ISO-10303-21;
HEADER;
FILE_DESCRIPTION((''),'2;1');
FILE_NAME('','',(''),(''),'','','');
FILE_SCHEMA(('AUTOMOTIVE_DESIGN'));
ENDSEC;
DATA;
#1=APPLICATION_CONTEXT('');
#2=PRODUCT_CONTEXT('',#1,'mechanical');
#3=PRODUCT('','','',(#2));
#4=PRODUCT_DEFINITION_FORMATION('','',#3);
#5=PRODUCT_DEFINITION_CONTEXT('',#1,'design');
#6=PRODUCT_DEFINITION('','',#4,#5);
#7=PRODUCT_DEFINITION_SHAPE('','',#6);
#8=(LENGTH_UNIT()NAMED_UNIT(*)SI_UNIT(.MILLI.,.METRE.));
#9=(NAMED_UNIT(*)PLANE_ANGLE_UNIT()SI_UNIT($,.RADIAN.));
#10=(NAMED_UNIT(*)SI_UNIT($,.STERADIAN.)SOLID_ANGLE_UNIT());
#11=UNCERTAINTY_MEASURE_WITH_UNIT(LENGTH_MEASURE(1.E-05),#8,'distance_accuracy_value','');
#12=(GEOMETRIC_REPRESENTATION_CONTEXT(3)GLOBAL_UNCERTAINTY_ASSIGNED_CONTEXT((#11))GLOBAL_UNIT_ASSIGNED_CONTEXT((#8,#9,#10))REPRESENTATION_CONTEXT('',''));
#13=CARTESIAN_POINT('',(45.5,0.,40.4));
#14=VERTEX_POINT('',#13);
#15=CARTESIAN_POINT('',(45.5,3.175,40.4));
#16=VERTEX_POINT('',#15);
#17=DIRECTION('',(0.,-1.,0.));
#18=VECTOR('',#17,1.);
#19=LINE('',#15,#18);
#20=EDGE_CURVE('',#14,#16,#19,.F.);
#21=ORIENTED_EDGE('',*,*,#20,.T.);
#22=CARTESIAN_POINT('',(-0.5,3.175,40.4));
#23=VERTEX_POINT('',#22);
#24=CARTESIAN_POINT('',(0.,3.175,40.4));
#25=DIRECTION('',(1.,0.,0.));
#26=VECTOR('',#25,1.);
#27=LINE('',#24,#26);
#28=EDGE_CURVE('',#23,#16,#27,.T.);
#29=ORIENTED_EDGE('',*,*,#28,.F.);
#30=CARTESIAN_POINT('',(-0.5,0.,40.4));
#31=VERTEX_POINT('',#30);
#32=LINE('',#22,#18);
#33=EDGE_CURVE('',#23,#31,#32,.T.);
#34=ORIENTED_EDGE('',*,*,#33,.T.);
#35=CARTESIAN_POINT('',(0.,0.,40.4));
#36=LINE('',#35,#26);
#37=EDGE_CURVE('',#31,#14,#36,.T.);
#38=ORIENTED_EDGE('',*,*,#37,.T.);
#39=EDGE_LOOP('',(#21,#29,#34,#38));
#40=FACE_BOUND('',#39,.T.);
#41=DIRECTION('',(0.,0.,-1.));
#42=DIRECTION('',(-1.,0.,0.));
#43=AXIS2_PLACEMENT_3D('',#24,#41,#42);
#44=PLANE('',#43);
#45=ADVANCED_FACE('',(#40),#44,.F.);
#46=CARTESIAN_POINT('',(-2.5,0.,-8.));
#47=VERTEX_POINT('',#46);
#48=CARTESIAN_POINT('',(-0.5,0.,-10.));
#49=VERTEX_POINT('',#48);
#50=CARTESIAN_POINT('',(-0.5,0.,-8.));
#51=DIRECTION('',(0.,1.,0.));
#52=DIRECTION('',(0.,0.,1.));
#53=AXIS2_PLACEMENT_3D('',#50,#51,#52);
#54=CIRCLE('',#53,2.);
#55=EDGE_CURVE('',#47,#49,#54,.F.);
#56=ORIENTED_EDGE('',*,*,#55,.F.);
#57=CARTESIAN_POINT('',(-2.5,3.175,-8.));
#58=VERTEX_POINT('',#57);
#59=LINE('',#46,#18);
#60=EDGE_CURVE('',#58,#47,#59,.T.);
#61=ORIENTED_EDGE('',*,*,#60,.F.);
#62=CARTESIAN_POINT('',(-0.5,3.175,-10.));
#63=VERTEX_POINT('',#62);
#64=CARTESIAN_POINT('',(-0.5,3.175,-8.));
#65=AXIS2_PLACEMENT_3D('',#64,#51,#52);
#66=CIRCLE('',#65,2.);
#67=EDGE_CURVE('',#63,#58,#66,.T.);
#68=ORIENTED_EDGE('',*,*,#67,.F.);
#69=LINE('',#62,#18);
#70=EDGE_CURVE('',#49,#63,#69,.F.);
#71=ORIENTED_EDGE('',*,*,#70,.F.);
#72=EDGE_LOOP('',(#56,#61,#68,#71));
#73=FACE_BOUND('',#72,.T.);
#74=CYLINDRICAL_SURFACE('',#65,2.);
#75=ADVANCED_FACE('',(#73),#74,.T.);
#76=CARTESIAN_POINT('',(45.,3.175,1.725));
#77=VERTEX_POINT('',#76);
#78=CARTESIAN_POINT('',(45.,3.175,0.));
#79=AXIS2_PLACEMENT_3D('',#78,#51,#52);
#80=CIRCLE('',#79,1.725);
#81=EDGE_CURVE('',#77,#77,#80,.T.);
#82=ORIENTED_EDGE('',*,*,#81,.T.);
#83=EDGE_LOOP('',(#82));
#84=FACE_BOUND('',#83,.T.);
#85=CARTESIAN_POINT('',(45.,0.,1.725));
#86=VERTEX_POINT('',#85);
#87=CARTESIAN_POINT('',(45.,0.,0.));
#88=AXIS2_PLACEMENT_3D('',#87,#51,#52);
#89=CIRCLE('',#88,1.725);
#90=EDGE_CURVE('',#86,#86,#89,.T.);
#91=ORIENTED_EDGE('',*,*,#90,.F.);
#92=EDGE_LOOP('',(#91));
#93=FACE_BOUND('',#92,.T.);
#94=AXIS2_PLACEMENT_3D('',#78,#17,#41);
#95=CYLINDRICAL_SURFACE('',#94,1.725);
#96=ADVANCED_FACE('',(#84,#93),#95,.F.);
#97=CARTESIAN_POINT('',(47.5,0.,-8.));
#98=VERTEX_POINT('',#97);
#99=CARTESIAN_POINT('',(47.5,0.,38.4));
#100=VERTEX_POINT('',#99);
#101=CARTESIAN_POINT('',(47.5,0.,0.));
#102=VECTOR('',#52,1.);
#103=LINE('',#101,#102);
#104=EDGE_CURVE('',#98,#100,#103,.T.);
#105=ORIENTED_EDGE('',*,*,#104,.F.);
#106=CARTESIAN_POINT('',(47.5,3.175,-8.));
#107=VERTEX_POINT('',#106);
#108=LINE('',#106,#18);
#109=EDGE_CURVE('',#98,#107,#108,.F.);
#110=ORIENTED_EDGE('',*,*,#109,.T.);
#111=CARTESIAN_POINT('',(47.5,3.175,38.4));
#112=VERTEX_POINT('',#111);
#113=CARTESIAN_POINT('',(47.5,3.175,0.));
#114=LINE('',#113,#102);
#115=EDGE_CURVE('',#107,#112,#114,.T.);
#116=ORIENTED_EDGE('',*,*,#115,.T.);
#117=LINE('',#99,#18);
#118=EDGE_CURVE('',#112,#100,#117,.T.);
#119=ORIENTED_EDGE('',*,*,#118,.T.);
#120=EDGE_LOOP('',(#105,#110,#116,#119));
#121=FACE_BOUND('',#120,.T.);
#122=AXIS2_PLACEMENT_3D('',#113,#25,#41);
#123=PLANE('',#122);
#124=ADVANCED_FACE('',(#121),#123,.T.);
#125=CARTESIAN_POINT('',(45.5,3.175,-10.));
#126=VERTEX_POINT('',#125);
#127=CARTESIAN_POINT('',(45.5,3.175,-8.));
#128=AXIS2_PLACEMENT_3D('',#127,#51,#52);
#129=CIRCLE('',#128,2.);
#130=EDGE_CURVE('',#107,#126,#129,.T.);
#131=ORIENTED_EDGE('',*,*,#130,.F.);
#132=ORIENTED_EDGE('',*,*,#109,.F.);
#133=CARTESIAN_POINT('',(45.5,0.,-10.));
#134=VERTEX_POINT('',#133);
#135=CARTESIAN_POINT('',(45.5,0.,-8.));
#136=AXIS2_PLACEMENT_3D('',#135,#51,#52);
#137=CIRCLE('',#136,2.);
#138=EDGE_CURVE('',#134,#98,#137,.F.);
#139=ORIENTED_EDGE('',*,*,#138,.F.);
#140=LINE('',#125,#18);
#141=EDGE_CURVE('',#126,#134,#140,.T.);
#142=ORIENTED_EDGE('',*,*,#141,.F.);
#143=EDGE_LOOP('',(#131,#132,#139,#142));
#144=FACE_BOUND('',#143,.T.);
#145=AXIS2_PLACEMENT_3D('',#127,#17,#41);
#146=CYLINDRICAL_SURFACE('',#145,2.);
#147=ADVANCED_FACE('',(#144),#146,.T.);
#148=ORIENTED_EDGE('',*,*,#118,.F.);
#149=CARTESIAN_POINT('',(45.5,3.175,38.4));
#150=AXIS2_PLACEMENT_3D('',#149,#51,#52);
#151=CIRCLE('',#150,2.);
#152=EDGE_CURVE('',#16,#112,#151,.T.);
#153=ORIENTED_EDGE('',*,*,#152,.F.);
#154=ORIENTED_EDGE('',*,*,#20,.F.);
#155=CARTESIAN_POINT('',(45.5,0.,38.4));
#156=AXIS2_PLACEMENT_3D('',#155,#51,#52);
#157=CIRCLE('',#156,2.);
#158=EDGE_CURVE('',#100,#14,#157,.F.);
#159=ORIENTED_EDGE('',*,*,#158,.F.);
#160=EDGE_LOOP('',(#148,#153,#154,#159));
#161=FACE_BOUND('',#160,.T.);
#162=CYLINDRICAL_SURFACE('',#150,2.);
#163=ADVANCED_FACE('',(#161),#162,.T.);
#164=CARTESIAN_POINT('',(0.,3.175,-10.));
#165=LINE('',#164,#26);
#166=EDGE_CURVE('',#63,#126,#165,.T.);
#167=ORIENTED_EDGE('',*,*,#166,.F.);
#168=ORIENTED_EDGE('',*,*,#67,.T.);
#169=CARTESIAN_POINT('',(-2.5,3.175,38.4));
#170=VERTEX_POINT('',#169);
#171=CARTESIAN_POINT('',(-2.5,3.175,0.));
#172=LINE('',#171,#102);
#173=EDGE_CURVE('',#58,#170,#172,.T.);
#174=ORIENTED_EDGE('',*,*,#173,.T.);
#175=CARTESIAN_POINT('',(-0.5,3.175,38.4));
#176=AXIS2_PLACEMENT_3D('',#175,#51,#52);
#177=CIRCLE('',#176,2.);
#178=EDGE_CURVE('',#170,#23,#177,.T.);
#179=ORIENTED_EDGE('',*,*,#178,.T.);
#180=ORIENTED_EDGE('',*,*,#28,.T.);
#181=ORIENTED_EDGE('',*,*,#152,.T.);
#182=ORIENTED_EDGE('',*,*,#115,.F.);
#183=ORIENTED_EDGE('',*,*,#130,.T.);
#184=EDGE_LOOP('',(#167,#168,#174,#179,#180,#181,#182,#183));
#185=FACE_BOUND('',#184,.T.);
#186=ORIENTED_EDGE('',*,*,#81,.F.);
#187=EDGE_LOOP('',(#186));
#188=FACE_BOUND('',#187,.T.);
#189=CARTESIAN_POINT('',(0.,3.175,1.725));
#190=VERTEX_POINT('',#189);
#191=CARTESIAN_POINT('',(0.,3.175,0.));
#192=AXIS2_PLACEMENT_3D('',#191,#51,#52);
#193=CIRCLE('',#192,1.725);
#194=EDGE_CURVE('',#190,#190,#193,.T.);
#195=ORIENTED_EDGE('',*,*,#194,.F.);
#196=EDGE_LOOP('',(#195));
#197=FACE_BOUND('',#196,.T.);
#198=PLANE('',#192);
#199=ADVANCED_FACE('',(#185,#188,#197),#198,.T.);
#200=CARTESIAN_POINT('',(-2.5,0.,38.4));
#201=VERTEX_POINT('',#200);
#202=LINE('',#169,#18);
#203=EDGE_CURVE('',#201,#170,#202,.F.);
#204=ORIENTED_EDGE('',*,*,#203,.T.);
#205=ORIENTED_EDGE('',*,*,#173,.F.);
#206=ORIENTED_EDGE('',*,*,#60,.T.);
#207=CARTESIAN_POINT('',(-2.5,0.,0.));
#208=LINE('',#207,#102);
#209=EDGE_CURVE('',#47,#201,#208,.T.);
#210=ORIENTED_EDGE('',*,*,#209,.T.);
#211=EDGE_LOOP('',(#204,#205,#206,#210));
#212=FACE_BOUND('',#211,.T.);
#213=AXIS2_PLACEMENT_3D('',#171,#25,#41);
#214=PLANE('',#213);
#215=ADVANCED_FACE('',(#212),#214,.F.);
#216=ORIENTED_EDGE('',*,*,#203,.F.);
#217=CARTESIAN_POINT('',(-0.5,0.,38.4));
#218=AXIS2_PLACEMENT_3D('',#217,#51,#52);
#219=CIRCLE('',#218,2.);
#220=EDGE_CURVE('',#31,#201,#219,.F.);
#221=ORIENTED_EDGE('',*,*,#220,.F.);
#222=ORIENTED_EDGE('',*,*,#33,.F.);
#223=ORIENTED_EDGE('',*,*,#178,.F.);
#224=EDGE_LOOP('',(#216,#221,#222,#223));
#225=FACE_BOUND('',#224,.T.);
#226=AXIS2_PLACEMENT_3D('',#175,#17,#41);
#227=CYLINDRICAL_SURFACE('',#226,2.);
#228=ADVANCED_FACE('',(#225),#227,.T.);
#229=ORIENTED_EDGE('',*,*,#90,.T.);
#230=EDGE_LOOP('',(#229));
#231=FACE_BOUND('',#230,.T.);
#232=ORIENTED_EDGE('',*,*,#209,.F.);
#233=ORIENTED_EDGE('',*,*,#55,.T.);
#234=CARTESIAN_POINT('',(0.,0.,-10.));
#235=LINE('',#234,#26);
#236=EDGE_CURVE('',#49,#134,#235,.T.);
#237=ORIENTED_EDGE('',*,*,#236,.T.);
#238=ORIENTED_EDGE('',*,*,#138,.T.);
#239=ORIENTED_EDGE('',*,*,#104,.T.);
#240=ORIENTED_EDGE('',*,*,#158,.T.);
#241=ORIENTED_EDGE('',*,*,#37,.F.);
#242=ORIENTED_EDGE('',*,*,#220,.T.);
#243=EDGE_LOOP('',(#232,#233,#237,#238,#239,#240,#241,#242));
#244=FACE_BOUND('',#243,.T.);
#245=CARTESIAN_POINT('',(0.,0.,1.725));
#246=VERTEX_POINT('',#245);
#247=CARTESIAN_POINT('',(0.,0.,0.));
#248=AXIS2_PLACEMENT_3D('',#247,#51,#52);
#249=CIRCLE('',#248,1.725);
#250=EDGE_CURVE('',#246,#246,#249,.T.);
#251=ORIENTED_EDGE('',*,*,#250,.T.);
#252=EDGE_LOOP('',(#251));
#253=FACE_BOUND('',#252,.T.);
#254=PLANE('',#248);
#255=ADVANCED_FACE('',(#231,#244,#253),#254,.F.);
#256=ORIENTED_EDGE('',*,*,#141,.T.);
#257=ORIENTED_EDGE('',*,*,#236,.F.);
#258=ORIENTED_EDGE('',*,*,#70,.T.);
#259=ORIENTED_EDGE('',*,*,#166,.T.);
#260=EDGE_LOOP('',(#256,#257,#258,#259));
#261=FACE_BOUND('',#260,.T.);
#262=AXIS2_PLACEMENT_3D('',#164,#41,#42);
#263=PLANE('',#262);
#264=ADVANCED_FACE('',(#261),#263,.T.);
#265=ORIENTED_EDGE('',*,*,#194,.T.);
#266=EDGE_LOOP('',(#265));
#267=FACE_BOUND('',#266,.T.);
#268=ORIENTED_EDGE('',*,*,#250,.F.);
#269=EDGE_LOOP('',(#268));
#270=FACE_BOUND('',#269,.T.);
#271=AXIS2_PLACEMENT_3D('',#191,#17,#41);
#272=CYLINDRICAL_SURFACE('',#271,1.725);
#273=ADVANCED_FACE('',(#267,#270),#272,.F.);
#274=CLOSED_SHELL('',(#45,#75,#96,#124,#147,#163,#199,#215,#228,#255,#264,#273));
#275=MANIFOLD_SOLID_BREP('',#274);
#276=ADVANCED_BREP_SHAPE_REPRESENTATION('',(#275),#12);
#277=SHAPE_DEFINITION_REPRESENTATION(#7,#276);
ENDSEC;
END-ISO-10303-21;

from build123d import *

# Parameters (mm, degrees)
SKETCH1_W           = 50
SKETCH1_H           = 25.4
SKETCH1_R           = 1.725
SKETCH1_H_2         = 25
BOSS_EXTRUDE1_DEPTH = 3.175
FILLET1_R           = 2


with BuildPart() as part:
    # Sketch1 → Boss-Extrude1 (new body)
    # profile 1 of 2: a face of its own
    with BuildSketch(Plane(origin=(0, 0, 0), x_dir=(1, 0, 0), z_dir=(0, 1, 0))):
        with Locations((22.5, -2.7)):
            Rectangle(SKETCH1_W, SKETCH1_H)
        with Locations(Location((0, 0, 0), (0, 0, 270))):
            Circle(SKETCH1_R, mode=Mode.SUBTRACT)
        with Locations(Location((45, 0, 0), (0, 0, 270))):
            Circle(SKETCH1_R, mode=Mode.SUBTRACT)
    # profile 2 of 2: a face of its own
    with BuildSketch(Plane(origin=(0, 0, 0), x_dir=(1, 0, 0), z_dir=(0, 1, 0))):
        with Locations((22.5, -27.9)):
            Rectangle(SKETCH1_W, SKETCH1_H_2)
    extrude(amount=BOSS_EXTRUDE1_DEPTH)

    # Fillet1
    fillet1_edges = [part.edges().sort_by_distance(p)[0] for p in [
        (47.5, 1.5875, 40.4),
        (-2.5, 1.5875, 40.4),
        (-2.5, 1.5875, -10),
        (47.5, 1.5875, -10),
    ]]
    fillet(fillet1_edges, radius=FILLET1_R)


solid = part.part
